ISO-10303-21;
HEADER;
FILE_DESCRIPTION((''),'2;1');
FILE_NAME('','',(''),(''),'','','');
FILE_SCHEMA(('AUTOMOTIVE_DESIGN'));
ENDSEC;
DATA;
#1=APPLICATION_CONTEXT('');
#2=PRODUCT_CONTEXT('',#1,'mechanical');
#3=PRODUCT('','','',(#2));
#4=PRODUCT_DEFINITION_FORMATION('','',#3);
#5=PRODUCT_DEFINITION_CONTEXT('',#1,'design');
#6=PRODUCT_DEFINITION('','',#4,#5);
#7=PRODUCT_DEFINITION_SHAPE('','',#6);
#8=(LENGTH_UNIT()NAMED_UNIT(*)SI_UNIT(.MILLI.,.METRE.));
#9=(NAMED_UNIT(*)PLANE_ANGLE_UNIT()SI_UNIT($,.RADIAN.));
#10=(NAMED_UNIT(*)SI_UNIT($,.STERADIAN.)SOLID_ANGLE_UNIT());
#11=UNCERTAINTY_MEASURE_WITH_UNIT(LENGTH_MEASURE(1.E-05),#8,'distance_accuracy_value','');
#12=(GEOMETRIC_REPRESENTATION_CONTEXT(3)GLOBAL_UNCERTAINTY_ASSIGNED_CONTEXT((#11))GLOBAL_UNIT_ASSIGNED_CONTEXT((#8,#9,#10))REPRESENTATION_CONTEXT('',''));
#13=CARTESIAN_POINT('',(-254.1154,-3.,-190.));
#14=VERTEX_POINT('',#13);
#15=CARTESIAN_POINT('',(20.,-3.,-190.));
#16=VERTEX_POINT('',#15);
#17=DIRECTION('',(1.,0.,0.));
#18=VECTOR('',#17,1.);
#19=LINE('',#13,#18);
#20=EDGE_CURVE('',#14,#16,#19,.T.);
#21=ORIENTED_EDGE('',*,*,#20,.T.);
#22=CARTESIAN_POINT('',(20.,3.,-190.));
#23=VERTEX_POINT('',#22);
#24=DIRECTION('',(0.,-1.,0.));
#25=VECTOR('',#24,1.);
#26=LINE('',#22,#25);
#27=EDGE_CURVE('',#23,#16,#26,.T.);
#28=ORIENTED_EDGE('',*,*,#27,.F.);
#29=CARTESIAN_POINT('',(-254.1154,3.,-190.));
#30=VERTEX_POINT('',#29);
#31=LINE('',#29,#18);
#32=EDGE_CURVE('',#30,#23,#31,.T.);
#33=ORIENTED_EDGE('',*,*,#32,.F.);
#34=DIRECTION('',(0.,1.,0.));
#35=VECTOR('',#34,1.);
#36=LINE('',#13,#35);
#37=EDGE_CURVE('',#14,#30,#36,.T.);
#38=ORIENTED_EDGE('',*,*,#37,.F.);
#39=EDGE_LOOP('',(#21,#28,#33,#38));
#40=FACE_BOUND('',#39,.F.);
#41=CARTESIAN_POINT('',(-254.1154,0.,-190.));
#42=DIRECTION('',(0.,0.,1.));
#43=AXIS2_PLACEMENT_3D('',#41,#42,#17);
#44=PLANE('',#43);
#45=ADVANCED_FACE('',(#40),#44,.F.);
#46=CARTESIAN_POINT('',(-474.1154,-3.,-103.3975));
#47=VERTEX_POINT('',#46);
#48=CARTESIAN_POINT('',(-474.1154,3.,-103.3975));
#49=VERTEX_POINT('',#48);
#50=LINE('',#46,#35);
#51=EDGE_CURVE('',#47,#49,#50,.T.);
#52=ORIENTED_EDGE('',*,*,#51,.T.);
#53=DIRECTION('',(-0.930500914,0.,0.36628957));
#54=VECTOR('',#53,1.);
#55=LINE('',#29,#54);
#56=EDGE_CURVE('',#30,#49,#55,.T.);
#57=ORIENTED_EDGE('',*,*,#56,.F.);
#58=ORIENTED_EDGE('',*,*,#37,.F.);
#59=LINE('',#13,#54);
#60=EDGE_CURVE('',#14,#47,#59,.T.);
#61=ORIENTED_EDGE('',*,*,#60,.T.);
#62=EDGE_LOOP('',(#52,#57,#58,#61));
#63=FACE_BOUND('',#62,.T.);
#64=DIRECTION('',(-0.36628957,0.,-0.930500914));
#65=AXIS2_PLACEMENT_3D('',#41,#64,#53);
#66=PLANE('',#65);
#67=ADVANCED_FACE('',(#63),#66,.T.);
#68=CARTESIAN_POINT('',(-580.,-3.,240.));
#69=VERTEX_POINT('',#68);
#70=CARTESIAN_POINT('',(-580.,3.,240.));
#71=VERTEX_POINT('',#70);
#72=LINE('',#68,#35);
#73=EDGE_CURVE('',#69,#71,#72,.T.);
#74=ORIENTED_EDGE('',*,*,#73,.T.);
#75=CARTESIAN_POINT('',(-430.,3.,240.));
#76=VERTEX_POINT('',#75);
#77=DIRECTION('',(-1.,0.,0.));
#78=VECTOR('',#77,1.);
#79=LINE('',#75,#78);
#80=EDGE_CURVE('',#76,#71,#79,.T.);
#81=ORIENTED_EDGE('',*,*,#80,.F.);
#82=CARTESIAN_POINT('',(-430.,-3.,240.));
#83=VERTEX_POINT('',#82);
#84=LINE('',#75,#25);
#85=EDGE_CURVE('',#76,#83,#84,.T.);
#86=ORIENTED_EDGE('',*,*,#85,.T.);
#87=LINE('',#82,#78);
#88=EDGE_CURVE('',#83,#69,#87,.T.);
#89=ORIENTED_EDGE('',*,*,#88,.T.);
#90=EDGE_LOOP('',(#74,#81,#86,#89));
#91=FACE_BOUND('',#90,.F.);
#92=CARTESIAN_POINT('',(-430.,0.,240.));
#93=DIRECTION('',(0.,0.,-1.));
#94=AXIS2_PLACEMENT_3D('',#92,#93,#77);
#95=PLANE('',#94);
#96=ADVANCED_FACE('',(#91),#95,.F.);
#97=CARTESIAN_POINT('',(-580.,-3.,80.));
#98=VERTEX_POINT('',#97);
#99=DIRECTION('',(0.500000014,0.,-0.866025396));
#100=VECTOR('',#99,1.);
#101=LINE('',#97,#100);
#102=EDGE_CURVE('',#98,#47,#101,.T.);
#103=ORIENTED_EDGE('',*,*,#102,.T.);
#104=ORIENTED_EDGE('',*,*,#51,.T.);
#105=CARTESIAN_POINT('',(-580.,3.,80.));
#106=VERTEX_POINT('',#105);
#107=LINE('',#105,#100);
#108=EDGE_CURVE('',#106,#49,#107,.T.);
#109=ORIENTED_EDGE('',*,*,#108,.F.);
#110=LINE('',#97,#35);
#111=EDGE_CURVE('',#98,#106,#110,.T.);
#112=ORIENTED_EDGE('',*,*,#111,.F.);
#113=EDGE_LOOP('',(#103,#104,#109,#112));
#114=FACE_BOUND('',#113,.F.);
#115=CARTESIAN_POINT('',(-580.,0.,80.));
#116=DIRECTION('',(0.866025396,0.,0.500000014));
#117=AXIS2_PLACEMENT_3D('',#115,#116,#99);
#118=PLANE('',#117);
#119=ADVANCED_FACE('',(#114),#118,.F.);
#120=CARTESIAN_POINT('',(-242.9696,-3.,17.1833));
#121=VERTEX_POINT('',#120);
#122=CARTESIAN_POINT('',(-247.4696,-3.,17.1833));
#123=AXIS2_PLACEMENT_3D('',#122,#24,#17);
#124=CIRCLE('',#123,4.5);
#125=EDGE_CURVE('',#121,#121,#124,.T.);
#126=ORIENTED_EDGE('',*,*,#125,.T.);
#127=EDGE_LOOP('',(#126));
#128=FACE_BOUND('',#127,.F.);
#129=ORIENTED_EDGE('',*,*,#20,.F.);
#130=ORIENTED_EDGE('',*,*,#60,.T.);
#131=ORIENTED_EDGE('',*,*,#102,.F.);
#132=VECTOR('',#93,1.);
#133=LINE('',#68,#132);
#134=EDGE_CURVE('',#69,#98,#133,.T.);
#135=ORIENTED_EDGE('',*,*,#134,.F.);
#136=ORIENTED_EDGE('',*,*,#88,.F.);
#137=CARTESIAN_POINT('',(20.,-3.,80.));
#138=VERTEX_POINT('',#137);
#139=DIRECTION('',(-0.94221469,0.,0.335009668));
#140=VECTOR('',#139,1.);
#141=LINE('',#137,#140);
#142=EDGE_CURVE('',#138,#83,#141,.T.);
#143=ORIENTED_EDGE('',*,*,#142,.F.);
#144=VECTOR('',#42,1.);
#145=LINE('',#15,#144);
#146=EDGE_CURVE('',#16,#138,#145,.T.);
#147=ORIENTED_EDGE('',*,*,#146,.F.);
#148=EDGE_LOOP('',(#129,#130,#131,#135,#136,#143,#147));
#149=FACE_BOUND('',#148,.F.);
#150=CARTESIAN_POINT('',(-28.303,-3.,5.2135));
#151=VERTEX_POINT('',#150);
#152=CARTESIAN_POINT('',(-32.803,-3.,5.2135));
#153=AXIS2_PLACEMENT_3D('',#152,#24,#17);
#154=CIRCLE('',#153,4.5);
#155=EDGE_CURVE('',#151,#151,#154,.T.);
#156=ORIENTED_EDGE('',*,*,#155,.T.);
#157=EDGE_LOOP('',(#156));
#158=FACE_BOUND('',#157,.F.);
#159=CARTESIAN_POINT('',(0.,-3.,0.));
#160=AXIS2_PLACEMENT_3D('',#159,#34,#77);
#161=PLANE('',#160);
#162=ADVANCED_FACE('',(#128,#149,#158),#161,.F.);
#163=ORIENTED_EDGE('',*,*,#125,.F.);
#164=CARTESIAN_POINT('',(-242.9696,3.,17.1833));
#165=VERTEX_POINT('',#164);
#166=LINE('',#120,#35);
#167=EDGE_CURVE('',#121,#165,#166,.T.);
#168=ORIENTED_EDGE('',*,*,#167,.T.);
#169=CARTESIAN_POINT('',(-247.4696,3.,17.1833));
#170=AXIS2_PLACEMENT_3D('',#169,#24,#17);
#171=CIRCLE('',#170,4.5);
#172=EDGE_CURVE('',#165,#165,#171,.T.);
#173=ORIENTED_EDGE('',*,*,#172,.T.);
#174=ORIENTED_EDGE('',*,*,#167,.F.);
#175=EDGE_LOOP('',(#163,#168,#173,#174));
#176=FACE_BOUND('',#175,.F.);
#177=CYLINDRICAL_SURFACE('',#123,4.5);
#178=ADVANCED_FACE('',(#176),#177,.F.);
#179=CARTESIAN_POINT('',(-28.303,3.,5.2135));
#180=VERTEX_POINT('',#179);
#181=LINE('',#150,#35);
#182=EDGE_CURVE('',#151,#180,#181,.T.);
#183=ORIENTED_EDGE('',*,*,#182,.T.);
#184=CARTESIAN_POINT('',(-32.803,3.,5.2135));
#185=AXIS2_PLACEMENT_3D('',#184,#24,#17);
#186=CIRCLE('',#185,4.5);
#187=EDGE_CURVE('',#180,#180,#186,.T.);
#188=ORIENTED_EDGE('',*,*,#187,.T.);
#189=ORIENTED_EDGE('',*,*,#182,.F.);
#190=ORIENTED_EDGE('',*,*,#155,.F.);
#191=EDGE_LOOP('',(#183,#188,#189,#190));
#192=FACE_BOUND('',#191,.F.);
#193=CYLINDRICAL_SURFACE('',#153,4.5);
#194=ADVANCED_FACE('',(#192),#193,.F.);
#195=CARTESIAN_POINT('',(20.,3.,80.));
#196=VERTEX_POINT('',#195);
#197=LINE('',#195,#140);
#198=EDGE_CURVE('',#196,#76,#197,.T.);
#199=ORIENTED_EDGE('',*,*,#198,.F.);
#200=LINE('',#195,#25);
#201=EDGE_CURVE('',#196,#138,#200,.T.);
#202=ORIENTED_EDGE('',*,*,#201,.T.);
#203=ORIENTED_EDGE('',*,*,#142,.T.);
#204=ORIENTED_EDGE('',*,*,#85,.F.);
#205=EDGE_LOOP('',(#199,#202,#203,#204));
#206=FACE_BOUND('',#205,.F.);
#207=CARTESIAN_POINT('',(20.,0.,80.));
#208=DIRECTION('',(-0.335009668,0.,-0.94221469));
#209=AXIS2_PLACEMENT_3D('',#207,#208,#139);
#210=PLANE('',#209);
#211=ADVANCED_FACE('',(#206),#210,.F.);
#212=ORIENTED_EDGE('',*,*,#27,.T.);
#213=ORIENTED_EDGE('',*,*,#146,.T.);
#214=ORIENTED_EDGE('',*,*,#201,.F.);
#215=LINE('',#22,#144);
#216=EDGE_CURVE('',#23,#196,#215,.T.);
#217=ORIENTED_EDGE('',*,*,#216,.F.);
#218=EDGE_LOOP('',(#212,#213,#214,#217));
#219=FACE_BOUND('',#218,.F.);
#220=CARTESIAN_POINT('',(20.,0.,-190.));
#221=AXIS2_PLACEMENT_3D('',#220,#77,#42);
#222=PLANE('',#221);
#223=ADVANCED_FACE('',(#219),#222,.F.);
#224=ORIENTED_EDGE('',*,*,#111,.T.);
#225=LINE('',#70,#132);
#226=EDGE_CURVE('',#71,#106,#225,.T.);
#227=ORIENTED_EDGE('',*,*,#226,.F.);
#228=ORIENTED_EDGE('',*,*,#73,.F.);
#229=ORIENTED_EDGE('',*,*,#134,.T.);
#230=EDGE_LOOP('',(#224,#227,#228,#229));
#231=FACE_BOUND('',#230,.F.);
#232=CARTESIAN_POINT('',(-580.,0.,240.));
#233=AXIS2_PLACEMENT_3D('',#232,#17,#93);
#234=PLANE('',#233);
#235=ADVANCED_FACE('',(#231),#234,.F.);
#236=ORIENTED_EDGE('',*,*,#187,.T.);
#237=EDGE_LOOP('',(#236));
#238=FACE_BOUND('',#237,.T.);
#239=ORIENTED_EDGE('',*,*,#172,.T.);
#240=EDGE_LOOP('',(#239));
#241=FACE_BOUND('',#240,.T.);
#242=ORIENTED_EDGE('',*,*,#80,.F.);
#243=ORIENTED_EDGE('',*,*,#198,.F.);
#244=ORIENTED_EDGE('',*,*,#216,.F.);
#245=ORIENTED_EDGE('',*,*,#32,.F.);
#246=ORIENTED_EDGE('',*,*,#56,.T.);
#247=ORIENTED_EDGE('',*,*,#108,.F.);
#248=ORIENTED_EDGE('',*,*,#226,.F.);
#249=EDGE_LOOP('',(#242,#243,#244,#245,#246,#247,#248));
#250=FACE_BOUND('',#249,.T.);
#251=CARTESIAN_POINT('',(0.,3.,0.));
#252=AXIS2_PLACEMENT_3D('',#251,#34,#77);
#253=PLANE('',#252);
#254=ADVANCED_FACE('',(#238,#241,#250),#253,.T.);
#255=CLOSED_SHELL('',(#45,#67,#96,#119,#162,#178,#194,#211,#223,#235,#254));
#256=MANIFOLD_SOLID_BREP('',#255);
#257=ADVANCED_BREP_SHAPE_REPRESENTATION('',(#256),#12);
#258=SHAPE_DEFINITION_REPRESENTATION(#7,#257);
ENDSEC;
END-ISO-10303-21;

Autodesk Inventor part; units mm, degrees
ref_plane "YZ Plane" through (0, 0, 0) normal (1, 0, 0) x (0, 1, 0)
ref_plane "XZ Plane" through (0, 0, 0) normal (0, 1, 0) x (-1, 0, 0)
ref_plane "XY Plane" through (0, 0, 0) normal (0, 0, 1) x (1, 0, 0)
sketch "スケッチ3" plane through (0, 0, 0) normal (0, 1, 0) x (-1, 0, 0)
  line L0 (254.1154, -190) -> (474.1154, -103.3975) projected
  line L1 (254.1154, -190) -> (-20, -190) projected
  line L2 (-20, -190) -> (-20, 80) projected
  line L3 (-20, 80) -> (430, 240) projected
  line L4 (430, 240) -> (580, 240) projected
  line L5 (580, 240) -> (580, 80) projected
  line L6 (580, 80) -> (474.1154, -103.3975) projected
  circle A0 centre (420, 145) radius 2.5 projected
  circle A1 centre (320, 75) radius 2.5 projected
  circle A2 centre (0, 0) radius 2.5 projected
  circle A3 centre (247.4696, 17.1833) radius 6 projected
  circle A4 centre (32.803, 5.2135) radius 6 projected
  point P0 (0, 0)
extrude "押し出し1" add sketch "スケッチ3" along normal mid plane 6 contours L1 L2 L3 L4 L5 L6 L0 | A0 | A1 | A2
sketch "スケッチ4" plane through (0, -3, 0) normal (0, -1, 0) x (1, 0, 0)
  circle A0 centre (-247.4696, 17.1833) radius 6 projected
  circle A1 centre (-32.803, 5.2135) radius 6 projected
  circle A2 centre (-247.4696, 17.1833) radius 4.5
  circle A3 centre (-32.803, 5.2135) radius 4.5
  point P0 (0, 0)
  dimension "d4" = 9
  dimension "d5" = 9
extrude "押し出し2" add sketch "スケッチ4" against normal blind 6
properties part number "endplate"
